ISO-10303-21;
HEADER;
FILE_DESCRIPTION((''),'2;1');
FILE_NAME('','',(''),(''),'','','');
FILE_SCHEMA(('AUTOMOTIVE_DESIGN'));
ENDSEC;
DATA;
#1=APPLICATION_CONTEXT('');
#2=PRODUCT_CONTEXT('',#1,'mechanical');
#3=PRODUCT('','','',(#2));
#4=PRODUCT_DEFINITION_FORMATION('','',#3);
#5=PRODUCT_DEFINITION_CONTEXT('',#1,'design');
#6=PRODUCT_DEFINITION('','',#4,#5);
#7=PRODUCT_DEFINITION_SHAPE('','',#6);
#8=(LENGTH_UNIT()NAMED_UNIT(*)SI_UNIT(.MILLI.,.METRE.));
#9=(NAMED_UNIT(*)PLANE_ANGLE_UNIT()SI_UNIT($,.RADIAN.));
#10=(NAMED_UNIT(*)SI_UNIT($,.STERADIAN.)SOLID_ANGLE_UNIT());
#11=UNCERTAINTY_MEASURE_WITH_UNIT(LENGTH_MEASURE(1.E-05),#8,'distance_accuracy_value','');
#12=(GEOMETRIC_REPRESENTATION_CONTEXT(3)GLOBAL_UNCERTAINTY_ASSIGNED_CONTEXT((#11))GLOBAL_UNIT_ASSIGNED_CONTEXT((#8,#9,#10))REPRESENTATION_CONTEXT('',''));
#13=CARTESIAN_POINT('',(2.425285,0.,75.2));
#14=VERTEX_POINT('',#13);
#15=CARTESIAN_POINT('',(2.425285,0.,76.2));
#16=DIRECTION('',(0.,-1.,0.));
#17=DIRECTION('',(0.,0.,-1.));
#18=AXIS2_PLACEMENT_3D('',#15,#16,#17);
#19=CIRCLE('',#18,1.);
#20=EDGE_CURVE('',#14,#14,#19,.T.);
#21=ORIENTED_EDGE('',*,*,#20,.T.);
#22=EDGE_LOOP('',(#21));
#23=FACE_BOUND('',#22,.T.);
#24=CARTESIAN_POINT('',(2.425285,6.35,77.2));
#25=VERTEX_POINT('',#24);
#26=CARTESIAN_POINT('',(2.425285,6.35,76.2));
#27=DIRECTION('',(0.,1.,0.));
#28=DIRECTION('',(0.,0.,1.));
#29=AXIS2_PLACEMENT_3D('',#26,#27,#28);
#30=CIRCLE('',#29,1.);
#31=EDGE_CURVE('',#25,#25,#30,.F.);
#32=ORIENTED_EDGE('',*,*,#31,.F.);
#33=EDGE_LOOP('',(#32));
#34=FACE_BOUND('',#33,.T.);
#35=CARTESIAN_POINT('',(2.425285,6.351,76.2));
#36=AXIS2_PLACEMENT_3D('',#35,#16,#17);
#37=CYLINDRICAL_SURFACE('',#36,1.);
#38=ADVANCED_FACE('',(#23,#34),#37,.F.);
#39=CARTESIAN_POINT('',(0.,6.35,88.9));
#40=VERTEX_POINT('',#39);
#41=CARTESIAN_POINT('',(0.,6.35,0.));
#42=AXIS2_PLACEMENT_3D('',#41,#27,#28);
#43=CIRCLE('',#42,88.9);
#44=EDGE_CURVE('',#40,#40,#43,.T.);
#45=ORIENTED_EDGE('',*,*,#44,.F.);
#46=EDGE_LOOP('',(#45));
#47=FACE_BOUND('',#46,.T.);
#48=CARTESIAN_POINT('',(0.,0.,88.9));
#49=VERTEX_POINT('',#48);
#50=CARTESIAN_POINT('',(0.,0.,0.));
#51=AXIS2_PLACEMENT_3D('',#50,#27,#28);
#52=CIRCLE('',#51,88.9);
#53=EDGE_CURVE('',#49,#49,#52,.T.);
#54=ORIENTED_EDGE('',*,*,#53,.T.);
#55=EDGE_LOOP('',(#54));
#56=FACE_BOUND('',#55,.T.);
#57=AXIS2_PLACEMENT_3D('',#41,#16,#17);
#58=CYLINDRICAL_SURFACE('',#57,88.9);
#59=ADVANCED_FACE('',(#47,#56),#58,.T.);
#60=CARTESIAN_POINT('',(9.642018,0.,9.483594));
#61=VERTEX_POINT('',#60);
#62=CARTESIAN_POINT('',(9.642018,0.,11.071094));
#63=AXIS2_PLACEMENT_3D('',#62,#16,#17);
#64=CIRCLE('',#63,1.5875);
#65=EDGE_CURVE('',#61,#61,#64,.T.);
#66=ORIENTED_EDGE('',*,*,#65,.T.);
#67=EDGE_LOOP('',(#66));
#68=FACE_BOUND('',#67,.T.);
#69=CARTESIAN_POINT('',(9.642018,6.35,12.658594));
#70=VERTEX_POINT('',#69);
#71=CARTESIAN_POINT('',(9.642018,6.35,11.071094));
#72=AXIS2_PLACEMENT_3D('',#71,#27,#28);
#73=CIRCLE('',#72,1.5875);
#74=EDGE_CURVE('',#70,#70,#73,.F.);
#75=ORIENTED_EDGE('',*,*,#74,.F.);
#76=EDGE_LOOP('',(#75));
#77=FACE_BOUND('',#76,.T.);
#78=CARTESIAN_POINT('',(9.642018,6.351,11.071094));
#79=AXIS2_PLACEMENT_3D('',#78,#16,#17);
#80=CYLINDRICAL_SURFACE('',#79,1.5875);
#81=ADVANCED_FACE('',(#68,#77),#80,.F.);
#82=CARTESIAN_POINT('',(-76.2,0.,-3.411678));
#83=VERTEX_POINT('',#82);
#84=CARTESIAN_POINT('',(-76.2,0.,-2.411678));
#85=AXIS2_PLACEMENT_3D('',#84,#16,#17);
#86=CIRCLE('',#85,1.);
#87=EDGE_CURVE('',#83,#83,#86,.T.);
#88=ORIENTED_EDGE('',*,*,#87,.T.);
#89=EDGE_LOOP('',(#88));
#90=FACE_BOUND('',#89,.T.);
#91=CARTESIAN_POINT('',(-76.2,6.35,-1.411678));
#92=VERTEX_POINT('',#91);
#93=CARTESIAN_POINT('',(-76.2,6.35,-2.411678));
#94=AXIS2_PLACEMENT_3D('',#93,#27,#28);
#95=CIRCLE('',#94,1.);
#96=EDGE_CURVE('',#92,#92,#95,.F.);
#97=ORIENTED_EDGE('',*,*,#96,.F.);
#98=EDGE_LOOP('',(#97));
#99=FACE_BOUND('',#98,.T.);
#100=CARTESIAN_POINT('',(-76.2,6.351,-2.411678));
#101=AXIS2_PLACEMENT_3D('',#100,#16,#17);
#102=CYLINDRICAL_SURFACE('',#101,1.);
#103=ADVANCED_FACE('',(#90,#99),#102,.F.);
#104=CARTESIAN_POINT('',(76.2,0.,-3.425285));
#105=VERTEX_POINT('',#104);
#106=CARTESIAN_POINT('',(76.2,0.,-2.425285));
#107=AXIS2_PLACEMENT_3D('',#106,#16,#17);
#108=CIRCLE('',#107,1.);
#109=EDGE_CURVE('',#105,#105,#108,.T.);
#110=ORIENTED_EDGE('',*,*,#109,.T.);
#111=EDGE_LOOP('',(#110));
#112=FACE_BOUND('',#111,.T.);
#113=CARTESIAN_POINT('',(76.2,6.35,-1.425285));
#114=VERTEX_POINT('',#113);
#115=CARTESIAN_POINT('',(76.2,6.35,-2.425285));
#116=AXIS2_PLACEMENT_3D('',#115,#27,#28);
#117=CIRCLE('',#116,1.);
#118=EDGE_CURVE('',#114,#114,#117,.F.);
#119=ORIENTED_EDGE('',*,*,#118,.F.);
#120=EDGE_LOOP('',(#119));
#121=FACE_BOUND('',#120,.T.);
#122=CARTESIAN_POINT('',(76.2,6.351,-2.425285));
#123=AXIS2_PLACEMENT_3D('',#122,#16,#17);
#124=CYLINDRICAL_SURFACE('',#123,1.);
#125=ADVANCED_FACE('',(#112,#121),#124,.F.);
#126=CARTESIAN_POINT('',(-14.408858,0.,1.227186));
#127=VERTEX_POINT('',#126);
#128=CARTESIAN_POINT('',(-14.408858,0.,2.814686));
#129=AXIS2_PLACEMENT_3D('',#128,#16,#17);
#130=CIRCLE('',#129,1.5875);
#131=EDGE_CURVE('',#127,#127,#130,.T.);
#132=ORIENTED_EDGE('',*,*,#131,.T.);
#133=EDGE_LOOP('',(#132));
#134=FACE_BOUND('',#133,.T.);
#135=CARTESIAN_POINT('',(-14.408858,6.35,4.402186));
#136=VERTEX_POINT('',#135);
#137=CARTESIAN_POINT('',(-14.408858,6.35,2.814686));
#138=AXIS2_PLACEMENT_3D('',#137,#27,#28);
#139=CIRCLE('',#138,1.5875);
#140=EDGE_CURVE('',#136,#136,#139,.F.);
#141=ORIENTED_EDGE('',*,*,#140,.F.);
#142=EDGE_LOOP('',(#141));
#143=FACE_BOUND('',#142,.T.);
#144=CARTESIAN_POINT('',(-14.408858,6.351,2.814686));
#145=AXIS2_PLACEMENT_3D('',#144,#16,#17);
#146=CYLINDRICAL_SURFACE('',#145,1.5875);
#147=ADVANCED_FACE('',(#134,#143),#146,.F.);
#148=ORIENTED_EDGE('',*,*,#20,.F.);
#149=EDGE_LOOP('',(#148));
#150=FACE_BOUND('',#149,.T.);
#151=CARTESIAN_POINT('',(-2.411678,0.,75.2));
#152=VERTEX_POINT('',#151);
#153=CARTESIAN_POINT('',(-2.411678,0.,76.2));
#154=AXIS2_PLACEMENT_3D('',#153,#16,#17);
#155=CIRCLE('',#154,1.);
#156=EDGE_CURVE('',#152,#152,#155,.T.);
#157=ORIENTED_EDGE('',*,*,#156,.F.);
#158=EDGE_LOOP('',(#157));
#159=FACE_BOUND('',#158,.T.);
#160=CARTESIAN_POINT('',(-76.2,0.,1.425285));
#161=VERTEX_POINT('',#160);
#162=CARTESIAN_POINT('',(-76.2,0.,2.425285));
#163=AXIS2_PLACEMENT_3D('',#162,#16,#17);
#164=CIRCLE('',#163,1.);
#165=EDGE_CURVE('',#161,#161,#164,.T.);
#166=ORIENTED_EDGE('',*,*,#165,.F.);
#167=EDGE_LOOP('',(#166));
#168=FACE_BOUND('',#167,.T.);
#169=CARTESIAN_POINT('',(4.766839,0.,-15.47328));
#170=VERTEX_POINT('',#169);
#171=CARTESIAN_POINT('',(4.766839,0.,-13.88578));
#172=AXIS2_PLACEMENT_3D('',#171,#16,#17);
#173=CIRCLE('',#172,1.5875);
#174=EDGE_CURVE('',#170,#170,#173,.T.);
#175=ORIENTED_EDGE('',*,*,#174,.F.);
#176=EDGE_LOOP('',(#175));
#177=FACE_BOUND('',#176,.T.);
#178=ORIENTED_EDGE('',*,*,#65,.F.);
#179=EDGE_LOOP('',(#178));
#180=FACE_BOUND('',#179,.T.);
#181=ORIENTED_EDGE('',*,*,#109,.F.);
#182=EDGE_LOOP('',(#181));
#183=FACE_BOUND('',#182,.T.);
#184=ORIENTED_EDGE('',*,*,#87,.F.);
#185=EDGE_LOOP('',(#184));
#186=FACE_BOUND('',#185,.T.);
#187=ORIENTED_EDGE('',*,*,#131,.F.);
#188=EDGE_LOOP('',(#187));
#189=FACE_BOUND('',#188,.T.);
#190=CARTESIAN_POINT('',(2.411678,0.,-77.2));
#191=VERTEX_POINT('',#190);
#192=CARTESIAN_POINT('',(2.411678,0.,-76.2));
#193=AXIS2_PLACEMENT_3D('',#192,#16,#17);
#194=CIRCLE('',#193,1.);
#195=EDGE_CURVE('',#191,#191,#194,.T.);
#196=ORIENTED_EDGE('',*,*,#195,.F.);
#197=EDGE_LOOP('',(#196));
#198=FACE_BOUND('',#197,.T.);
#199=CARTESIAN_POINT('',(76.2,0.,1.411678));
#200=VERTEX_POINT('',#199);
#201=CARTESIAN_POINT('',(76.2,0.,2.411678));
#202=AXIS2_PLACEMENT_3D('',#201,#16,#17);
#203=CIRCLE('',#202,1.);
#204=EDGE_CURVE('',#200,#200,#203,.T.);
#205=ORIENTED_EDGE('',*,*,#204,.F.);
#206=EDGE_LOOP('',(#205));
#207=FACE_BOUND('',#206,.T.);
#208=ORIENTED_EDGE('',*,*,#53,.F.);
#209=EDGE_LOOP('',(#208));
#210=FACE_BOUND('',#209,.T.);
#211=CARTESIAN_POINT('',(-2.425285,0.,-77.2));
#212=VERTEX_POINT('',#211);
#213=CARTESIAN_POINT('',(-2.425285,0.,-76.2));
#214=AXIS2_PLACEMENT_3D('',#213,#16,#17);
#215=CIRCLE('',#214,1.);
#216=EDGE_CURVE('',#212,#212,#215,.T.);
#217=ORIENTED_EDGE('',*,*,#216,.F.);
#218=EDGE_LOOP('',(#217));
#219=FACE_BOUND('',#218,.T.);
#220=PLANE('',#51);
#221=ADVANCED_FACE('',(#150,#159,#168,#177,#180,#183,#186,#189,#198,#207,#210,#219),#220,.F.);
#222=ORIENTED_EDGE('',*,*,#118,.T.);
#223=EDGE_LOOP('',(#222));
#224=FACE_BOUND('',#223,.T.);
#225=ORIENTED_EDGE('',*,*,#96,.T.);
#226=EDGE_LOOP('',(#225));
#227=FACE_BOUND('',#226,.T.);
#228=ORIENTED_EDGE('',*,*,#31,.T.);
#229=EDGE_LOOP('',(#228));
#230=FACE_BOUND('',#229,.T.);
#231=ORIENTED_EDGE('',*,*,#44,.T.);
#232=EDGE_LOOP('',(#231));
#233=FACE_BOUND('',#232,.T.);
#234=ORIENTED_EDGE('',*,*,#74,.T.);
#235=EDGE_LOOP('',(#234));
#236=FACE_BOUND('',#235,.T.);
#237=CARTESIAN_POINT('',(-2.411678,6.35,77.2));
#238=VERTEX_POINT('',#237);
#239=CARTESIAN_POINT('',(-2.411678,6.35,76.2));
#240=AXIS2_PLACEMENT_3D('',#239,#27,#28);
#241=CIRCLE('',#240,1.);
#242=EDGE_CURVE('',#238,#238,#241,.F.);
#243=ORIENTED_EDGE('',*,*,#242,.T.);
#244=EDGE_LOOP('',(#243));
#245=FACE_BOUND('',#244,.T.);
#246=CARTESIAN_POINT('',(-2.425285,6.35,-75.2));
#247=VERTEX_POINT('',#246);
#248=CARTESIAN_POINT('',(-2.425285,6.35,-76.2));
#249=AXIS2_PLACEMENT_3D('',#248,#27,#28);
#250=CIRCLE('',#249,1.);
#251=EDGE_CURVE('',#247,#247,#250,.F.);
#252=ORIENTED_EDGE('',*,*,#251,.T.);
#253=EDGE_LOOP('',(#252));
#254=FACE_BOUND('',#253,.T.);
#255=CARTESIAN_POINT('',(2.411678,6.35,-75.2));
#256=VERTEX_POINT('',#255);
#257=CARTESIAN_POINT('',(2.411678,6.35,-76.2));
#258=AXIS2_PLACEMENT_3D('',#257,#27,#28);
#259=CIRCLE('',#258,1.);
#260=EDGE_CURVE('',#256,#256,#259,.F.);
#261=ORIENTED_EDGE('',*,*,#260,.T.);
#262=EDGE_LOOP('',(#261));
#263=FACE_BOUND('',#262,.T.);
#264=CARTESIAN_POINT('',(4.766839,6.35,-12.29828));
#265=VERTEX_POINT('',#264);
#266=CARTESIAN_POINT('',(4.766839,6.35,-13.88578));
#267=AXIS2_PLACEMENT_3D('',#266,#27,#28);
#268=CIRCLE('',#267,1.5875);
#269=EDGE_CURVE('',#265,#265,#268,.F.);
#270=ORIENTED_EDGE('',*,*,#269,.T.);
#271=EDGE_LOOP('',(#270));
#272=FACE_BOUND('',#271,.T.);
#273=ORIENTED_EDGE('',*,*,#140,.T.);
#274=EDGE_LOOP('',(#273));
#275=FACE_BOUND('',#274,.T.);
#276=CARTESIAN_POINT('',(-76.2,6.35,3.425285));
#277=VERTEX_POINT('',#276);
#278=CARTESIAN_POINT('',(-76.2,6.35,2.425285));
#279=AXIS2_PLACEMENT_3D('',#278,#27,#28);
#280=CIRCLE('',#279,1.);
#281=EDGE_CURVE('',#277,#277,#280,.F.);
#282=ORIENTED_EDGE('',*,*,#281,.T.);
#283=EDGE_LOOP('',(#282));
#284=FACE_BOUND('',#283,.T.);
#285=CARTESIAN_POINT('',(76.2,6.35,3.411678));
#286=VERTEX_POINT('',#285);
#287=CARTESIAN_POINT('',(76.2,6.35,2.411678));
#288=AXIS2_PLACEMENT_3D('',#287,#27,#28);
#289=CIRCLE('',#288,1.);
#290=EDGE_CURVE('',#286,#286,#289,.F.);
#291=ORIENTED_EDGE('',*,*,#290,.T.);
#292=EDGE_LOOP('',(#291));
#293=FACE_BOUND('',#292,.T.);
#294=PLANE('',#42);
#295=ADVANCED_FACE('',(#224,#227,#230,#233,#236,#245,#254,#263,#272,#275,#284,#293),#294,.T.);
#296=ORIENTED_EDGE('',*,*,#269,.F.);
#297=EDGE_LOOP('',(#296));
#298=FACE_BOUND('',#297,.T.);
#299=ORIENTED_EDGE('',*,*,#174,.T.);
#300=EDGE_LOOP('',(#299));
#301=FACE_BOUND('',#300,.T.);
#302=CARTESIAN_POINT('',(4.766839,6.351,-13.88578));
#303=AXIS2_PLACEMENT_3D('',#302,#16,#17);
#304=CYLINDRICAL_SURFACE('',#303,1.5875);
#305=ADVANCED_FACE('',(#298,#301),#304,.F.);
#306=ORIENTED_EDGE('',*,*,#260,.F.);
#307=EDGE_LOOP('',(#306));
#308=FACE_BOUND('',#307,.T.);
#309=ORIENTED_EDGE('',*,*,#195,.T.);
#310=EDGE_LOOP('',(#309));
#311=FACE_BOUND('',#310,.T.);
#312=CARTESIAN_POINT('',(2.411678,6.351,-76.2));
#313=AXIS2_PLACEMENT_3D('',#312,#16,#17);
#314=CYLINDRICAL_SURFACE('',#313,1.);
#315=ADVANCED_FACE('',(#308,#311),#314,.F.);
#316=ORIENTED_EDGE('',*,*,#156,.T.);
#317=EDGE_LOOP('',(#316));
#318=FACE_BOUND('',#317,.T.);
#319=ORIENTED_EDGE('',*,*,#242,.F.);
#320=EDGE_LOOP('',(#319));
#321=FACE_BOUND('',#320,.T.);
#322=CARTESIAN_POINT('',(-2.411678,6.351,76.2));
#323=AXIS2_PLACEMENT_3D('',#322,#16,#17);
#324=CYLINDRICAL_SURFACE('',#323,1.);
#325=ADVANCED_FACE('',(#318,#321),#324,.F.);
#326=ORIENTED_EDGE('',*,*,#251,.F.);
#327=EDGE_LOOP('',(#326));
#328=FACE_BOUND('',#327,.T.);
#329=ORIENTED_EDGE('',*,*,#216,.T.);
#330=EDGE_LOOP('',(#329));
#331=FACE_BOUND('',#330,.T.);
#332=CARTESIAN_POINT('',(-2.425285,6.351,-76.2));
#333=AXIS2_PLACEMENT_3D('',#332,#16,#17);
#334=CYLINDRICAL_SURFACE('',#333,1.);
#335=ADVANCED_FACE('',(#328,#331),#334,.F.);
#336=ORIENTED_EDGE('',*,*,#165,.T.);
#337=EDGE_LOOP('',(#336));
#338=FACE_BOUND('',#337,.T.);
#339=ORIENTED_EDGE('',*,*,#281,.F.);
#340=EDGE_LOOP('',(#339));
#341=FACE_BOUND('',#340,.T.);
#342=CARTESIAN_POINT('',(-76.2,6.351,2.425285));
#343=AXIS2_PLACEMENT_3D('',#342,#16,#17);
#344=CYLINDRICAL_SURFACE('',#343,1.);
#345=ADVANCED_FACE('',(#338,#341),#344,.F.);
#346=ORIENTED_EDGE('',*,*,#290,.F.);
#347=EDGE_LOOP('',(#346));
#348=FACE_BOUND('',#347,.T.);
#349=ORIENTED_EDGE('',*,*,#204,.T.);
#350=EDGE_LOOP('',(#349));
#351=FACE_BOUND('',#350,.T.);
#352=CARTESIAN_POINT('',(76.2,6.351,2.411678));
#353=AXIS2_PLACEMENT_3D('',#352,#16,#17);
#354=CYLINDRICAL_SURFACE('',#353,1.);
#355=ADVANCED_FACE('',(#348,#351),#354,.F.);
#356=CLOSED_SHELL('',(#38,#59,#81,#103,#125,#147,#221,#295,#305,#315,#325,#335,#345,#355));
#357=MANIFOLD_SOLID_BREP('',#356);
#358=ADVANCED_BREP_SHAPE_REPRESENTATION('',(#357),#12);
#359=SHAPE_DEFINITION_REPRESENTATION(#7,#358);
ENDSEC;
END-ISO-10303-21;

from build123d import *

# Parameters (mm, degrees)
SKETCH1_R           = 88.9
BOSS_EXTRUDE1_DEPTH = 6.35
CUT_EXTRUDE1_REACH  = 8.35
SKETCH2_R           = 1
CUT_EXTRUDE2_REACH  = 8.35
SKETCH4_R           = 1.5875


with BuildPart() as part:
    # Sketch1 → Boss-Extrude1 (new body)
    with BuildSketch(Plane(origin=(0, 0, 0), x_dir=(1, 0, 0), z_dir=(0, 1, 0))):
        Circle(SKETCH1_R)
    extrude(amount=BOSS_EXTRUDE1_DEPTH)

    # Sketch2 → Cut-Extrude1 (cut, up to next)
    with BuildSketch(Plane.XZ, mode=Mode.PRIVATE) as cut_extrude1_sk1:
        with Locations((2.411677935, -76.2)):
            Circle(SKETCH2_R)
    cut_extrude1_tool1 = extrude(cut_extrude1_sk1.sketch, amount=-CUT_EXTRUDE1_REACH, mode=Mode.PRIVATE) & part.part
    add(cut_extrude1_tool1.solids().sort_by_distance((2.411678, 0, -76.2))[0], mode=Mode.SUBTRACT)
    # Sketch2 → Cut-Extrude1 (cut, up to next)
    with BuildSketch(Plane.XZ, mode=Mode.PRIVATE) as cut_extrude1_sk2:
        with Locations((-2.425285476, -76.2)):
            Circle(SKETCH2_R)
    cut_extrude1_tool2 = extrude(cut_extrude1_sk2.sketch, amount=-CUT_EXTRUDE1_REACH, mode=Mode.PRIVATE) & part.part
    add(cut_extrude1_tool2.solids().sort_by_distance((-2.425285, 0, -76.2))[0], mode=Mode.SUBTRACT)
    # Sketch2 → Cut-Extrude1 (cut, up to next)
    with BuildSketch(Plane.XZ, mode=Mode.PRIVATE) as cut_extrude1_sk3:
        with Locations((-76.2, -2.411677935)):
            Circle(SKETCH2_R)
    cut_extrude1_tool3 = extrude(cut_extrude1_sk3.sketch, amount=-CUT_EXTRUDE1_REACH, mode=Mode.PRIVATE) & part.part
    add(cut_extrude1_tool3.solids().sort_by_distance((-76.2, 0, -2.411678))[0], mode=Mode.SUBTRACT)
    # Sketch2 → Cut-Extrude1 (cut, up to next)
    with BuildSketch(Plane.XZ, mode=Mode.PRIVATE) as cut_extrude1_sk4:
        with Locations((-76.2, 2.425285476)):
            Circle(SKETCH2_R)
    cut_extrude1_tool4 = extrude(cut_extrude1_sk4.sketch, amount=-CUT_EXTRUDE1_REACH, mode=Mode.PRIVATE) & part.part
    add(cut_extrude1_tool4.solids().sort_by_distance((-76.2, 0, 2.425285))[0], mode=Mode.SUBTRACT)
    # Sketch2 → Cut-Extrude1 (cut, up to next)
    with BuildSketch(Plane.XZ, mode=Mode.PRIVATE) as cut_extrude1_sk5:
        with Locations((-2.411677935, 76.2)):
            Circle(SKETCH2_R)
    cut_extrude1_tool5 = extrude(cut_extrude1_sk5.sketch, amount=-CUT_EXTRUDE1_REACH, mode=Mode.PRIVATE) & part.part
    add(cut_extrude1_tool5.solids().sort_by_distance((-2.411678, 0, 76.2))[0], mode=Mode.SUBTRACT)
    # Sketch2 → Cut-Extrude1 (cut, up to next)
    with BuildSketch(Plane.XZ, mode=Mode.PRIVATE) as cut_extrude1_sk6:
        with Locations((2.425285476, 76.2)):
            Circle(SKETCH2_R)
    cut_extrude1_tool6 = extrude(cut_extrude1_sk6.sketch, amount=-CUT_EXTRUDE1_REACH, mode=Mode.PRIVATE) & part.part
    add(cut_extrude1_tool6.solids().sort_by_distance((2.425285, 0, 76.2))[0], mode=Mode.SUBTRACT)
    # Sketch2 → Cut-Extrude1 (cut, up to next)
    with BuildSketch(Plane.XZ, mode=Mode.PRIVATE) as cut_extrude1_sk7:
        with Locations((76.2, 2.411677935)):
            Circle(SKETCH2_R)
    cut_extrude1_tool7 = extrude(cut_extrude1_sk7.sketch, amount=-CUT_EXTRUDE1_REACH, mode=Mode.PRIVATE) & part.part
    add(cut_extrude1_tool7.solids().sort_by_distance((76.2, 0, 2.411678))[0], mode=Mode.SUBTRACT)
    # Sketch2 → Cut-Extrude1 (cut, up to next)
    with BuildSketch(Plane.XZ, mode=Mode.PRIVATE) as cut_extrude1_sk8:
        with Locations((76.2, -2.425285476)):
            Circle(SKETCH2_R)
    cut_extrude1_tool8 = extrude(cut_extrude1_sk8.sketch, amount=-CUT_EXTRUDE1_REACH, mode=Mode.PRIVATE) & part.part
    add(cut_extrude1_tool8.solids().sort_by_distance((76.2, 0, -2.425285))[0], mode=Mode.SUBTRACT)

    # Sketch4 → Cut-Extrude2 (cut, up to next)
    with BuildSketch(Plane.XZ, mode=Mode.PRIVATE) as cut_extrude2_sk1:
        with Locations((4.766839139, -13.885779707)):
            Circle(SKETCH4_R)
    cut_extrude2_tool1 = extrude(cut_extrude2_sk1.sketch, amount=-CUT_EXTRUDE2_REACH, mode=Mode.PRIVATE) & part.part
    add(cut_extrude2_tool1.solids().sort_by_distance((4.766839, 0, -13.88578))[0], mode=Mode.SUBTRACT)
    # Sketch4 → Cut-Extrude2 (cut, up to next)
    with BuildSketch(Plane.XZ, mode=Mode.PRIVATE) as cut_extrude2_sk2:
        with Locations((-14.408857547, 2.814686063)):
            Circle(SKETCH4_R)
    cut_extrude2_tool2 = extrude(cut_extrude2_sk2.sketch, amount=-CUT_EXTRUDE2_REACH, mode=Mode.PRIVATE) & part.part
    add(cut_extrude2_tool2.solids().sort_by_distance((-14.408858, 0, 2.814686))[0], mode=Mode.SUBTRACT)
    # Sketch4 → Cut-Extrude2 (cut, up to next)
    with BuildSketch(Plane.XZ, mode=Mode.PRIVATE) as cut_extrude2_sk3:
        with Locations((9.642018407, 11.071093644)):
            Circle(SKETCH4_R)
    cut_extrude2_tool3 = extrude(cut_extrude2_sk3.sketch, amount=-CUT_EXTRUDE2_REACH, mode=Mode.PRIVATE) & part.part
    add(cut_extrude2_tool3.solids().sort_by_distance((9.642018, 0, 11.071094))[0], mode=Mode.SUBTRACT)


solid = part.part
